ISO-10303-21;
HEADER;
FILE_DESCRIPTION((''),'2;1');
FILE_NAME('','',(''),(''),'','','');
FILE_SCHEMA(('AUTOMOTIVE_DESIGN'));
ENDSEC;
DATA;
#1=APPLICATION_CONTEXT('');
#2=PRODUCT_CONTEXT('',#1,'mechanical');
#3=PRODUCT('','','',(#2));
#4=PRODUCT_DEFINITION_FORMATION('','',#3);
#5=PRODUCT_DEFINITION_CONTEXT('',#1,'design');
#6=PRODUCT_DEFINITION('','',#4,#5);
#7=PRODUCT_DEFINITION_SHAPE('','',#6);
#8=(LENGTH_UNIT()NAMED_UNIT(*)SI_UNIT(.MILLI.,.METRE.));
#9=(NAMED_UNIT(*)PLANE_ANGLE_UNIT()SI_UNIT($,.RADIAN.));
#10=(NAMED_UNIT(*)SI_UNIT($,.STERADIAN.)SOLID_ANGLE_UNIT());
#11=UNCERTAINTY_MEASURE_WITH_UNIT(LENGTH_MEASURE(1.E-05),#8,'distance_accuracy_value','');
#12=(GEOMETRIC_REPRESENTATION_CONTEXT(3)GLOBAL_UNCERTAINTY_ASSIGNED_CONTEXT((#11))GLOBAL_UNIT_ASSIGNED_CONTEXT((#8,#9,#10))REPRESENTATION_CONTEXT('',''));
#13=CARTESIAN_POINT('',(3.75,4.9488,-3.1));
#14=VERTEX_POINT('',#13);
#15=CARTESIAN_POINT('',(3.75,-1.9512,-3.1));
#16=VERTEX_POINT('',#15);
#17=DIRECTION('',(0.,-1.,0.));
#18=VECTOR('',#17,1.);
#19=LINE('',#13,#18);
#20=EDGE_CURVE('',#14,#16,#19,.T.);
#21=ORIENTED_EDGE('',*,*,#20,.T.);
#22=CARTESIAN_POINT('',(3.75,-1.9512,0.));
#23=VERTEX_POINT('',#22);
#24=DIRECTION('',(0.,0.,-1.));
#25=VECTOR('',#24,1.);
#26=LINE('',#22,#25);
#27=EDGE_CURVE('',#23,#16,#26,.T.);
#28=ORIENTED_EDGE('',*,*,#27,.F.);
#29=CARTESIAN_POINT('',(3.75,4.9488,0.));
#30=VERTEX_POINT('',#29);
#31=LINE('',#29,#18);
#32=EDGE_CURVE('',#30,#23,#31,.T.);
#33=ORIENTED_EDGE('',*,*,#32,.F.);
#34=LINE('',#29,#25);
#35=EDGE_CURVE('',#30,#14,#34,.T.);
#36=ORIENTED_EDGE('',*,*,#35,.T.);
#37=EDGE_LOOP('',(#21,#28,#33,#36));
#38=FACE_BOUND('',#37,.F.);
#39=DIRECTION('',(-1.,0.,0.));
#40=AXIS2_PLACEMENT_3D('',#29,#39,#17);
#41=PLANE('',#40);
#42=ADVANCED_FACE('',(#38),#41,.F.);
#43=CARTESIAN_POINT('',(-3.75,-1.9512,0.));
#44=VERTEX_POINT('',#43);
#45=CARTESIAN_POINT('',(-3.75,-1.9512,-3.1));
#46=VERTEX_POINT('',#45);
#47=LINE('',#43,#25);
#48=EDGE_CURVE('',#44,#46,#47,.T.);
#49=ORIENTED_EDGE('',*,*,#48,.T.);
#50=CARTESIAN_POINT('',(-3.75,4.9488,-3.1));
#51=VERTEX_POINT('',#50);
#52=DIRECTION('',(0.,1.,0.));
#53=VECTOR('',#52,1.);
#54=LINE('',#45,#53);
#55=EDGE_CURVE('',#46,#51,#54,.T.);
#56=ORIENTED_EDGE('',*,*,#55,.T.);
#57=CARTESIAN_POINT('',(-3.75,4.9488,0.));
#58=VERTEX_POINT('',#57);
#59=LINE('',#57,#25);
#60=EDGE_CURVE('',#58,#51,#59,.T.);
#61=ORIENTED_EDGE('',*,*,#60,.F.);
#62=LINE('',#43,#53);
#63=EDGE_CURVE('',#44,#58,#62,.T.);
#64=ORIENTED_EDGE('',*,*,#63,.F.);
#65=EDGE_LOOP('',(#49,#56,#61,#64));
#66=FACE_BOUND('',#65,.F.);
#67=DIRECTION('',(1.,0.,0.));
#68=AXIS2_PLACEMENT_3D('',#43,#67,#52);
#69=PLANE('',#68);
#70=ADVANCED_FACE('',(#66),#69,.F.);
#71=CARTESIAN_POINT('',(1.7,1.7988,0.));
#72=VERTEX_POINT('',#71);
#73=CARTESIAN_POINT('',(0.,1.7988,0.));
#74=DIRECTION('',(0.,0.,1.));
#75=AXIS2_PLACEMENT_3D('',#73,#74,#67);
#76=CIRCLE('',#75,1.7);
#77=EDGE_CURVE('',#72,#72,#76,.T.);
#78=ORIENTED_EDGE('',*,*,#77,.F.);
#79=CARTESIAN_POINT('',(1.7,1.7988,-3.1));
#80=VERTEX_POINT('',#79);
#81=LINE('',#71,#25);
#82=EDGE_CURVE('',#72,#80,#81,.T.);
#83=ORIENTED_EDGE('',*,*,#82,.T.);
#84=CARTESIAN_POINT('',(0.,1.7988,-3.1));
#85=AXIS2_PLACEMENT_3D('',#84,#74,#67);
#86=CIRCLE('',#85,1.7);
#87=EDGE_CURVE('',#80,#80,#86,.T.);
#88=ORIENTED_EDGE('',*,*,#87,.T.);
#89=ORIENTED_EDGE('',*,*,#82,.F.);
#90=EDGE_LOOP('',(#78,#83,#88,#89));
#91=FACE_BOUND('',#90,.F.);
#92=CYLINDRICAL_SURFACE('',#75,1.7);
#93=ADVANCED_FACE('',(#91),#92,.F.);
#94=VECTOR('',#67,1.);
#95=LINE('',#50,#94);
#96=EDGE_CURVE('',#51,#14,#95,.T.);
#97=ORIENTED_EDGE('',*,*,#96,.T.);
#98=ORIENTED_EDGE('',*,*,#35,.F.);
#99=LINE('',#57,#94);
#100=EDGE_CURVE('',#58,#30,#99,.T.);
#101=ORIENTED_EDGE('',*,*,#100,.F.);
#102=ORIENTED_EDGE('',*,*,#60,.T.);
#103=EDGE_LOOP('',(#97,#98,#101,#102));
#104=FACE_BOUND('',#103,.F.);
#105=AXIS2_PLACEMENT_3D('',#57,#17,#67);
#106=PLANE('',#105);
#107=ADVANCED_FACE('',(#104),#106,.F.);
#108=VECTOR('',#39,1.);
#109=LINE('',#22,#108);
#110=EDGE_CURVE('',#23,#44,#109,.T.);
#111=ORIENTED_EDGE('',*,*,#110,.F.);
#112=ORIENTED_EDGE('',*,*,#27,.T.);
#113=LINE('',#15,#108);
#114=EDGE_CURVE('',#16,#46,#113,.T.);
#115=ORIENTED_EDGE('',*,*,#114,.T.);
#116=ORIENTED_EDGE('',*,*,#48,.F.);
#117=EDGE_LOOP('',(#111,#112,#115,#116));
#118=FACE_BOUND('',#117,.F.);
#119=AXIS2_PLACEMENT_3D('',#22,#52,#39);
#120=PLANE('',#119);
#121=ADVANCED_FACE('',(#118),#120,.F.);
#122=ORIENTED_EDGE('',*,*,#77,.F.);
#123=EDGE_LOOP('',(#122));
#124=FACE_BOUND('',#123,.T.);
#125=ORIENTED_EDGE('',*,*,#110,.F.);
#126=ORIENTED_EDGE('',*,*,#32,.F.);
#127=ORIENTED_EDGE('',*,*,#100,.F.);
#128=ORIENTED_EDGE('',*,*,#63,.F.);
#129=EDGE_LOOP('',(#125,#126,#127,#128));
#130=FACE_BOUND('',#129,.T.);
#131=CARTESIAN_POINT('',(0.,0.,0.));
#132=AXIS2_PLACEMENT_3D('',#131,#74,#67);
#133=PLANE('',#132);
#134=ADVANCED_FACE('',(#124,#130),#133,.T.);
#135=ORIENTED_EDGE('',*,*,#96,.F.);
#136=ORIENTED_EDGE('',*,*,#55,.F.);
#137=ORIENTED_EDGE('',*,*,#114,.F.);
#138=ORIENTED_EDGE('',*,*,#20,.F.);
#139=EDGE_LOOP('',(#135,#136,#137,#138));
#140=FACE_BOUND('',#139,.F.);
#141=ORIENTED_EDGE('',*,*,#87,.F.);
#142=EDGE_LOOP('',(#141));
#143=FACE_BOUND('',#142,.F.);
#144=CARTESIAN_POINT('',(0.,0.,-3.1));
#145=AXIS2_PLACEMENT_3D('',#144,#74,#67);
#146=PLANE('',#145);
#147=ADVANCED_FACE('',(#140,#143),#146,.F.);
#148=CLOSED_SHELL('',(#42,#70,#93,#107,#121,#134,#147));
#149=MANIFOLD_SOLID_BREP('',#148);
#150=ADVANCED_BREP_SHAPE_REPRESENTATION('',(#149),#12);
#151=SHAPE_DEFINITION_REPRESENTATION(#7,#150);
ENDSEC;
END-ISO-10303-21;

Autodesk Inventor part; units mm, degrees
ref_plane "YZ Plane" through (0, 0, 0) normal (1, 0, 0) x (0, 1, 0)
ref_plane "XZ Plane" through (0, 0, 0) normal (0, 1, 0) x (-1, 0, 0)
ref_plane "XY Plane" through (0, 0, 0) normal (0, 0, 1) x (1, 0, 0)
sketch "Skizze1" plane through (0, 0, 0) normal (0, 0, 1) x (1, 0, 0)
  line L0 (3.75, 4.9488) -> (3.75, -1.9512) projected
  line L1 (-3.75, -1.9512) -> (-3.75, 4.9488) projected
  line L2 (3.75, -1.9512) -> (-3.75, -1.9512) projected
  line L3 (0, 0) -> (3.75, 0) construction
  line L4 (0, 1.7988) -> (0, -1.9512) construction
  line L5 (-3.75, 4.9488) -> (3.75, 4.9488)
  line L6 (3.75, 4.9488) -> (3.75, -1.9512)
  line L7 (3.75, -1.9512) -> (-3.75, -1.9512)
  line L8 (-3.75, -1.9512) -> (-3.75, 4.9488)
  circle A0 centre (0, 1.7988) radius 1.7
  dimension "d0" = 3.75
  dimension "d2" = 3.75
  dimension "d5" = 3.4
extrude "Extrusion2" add sketch "Skizze1" against normal blind 3.1
thread "Gewinde1" size "M4x0.7" class "6H" standard "ANSI Metric M Profile" full length
properties part number "mutter"
